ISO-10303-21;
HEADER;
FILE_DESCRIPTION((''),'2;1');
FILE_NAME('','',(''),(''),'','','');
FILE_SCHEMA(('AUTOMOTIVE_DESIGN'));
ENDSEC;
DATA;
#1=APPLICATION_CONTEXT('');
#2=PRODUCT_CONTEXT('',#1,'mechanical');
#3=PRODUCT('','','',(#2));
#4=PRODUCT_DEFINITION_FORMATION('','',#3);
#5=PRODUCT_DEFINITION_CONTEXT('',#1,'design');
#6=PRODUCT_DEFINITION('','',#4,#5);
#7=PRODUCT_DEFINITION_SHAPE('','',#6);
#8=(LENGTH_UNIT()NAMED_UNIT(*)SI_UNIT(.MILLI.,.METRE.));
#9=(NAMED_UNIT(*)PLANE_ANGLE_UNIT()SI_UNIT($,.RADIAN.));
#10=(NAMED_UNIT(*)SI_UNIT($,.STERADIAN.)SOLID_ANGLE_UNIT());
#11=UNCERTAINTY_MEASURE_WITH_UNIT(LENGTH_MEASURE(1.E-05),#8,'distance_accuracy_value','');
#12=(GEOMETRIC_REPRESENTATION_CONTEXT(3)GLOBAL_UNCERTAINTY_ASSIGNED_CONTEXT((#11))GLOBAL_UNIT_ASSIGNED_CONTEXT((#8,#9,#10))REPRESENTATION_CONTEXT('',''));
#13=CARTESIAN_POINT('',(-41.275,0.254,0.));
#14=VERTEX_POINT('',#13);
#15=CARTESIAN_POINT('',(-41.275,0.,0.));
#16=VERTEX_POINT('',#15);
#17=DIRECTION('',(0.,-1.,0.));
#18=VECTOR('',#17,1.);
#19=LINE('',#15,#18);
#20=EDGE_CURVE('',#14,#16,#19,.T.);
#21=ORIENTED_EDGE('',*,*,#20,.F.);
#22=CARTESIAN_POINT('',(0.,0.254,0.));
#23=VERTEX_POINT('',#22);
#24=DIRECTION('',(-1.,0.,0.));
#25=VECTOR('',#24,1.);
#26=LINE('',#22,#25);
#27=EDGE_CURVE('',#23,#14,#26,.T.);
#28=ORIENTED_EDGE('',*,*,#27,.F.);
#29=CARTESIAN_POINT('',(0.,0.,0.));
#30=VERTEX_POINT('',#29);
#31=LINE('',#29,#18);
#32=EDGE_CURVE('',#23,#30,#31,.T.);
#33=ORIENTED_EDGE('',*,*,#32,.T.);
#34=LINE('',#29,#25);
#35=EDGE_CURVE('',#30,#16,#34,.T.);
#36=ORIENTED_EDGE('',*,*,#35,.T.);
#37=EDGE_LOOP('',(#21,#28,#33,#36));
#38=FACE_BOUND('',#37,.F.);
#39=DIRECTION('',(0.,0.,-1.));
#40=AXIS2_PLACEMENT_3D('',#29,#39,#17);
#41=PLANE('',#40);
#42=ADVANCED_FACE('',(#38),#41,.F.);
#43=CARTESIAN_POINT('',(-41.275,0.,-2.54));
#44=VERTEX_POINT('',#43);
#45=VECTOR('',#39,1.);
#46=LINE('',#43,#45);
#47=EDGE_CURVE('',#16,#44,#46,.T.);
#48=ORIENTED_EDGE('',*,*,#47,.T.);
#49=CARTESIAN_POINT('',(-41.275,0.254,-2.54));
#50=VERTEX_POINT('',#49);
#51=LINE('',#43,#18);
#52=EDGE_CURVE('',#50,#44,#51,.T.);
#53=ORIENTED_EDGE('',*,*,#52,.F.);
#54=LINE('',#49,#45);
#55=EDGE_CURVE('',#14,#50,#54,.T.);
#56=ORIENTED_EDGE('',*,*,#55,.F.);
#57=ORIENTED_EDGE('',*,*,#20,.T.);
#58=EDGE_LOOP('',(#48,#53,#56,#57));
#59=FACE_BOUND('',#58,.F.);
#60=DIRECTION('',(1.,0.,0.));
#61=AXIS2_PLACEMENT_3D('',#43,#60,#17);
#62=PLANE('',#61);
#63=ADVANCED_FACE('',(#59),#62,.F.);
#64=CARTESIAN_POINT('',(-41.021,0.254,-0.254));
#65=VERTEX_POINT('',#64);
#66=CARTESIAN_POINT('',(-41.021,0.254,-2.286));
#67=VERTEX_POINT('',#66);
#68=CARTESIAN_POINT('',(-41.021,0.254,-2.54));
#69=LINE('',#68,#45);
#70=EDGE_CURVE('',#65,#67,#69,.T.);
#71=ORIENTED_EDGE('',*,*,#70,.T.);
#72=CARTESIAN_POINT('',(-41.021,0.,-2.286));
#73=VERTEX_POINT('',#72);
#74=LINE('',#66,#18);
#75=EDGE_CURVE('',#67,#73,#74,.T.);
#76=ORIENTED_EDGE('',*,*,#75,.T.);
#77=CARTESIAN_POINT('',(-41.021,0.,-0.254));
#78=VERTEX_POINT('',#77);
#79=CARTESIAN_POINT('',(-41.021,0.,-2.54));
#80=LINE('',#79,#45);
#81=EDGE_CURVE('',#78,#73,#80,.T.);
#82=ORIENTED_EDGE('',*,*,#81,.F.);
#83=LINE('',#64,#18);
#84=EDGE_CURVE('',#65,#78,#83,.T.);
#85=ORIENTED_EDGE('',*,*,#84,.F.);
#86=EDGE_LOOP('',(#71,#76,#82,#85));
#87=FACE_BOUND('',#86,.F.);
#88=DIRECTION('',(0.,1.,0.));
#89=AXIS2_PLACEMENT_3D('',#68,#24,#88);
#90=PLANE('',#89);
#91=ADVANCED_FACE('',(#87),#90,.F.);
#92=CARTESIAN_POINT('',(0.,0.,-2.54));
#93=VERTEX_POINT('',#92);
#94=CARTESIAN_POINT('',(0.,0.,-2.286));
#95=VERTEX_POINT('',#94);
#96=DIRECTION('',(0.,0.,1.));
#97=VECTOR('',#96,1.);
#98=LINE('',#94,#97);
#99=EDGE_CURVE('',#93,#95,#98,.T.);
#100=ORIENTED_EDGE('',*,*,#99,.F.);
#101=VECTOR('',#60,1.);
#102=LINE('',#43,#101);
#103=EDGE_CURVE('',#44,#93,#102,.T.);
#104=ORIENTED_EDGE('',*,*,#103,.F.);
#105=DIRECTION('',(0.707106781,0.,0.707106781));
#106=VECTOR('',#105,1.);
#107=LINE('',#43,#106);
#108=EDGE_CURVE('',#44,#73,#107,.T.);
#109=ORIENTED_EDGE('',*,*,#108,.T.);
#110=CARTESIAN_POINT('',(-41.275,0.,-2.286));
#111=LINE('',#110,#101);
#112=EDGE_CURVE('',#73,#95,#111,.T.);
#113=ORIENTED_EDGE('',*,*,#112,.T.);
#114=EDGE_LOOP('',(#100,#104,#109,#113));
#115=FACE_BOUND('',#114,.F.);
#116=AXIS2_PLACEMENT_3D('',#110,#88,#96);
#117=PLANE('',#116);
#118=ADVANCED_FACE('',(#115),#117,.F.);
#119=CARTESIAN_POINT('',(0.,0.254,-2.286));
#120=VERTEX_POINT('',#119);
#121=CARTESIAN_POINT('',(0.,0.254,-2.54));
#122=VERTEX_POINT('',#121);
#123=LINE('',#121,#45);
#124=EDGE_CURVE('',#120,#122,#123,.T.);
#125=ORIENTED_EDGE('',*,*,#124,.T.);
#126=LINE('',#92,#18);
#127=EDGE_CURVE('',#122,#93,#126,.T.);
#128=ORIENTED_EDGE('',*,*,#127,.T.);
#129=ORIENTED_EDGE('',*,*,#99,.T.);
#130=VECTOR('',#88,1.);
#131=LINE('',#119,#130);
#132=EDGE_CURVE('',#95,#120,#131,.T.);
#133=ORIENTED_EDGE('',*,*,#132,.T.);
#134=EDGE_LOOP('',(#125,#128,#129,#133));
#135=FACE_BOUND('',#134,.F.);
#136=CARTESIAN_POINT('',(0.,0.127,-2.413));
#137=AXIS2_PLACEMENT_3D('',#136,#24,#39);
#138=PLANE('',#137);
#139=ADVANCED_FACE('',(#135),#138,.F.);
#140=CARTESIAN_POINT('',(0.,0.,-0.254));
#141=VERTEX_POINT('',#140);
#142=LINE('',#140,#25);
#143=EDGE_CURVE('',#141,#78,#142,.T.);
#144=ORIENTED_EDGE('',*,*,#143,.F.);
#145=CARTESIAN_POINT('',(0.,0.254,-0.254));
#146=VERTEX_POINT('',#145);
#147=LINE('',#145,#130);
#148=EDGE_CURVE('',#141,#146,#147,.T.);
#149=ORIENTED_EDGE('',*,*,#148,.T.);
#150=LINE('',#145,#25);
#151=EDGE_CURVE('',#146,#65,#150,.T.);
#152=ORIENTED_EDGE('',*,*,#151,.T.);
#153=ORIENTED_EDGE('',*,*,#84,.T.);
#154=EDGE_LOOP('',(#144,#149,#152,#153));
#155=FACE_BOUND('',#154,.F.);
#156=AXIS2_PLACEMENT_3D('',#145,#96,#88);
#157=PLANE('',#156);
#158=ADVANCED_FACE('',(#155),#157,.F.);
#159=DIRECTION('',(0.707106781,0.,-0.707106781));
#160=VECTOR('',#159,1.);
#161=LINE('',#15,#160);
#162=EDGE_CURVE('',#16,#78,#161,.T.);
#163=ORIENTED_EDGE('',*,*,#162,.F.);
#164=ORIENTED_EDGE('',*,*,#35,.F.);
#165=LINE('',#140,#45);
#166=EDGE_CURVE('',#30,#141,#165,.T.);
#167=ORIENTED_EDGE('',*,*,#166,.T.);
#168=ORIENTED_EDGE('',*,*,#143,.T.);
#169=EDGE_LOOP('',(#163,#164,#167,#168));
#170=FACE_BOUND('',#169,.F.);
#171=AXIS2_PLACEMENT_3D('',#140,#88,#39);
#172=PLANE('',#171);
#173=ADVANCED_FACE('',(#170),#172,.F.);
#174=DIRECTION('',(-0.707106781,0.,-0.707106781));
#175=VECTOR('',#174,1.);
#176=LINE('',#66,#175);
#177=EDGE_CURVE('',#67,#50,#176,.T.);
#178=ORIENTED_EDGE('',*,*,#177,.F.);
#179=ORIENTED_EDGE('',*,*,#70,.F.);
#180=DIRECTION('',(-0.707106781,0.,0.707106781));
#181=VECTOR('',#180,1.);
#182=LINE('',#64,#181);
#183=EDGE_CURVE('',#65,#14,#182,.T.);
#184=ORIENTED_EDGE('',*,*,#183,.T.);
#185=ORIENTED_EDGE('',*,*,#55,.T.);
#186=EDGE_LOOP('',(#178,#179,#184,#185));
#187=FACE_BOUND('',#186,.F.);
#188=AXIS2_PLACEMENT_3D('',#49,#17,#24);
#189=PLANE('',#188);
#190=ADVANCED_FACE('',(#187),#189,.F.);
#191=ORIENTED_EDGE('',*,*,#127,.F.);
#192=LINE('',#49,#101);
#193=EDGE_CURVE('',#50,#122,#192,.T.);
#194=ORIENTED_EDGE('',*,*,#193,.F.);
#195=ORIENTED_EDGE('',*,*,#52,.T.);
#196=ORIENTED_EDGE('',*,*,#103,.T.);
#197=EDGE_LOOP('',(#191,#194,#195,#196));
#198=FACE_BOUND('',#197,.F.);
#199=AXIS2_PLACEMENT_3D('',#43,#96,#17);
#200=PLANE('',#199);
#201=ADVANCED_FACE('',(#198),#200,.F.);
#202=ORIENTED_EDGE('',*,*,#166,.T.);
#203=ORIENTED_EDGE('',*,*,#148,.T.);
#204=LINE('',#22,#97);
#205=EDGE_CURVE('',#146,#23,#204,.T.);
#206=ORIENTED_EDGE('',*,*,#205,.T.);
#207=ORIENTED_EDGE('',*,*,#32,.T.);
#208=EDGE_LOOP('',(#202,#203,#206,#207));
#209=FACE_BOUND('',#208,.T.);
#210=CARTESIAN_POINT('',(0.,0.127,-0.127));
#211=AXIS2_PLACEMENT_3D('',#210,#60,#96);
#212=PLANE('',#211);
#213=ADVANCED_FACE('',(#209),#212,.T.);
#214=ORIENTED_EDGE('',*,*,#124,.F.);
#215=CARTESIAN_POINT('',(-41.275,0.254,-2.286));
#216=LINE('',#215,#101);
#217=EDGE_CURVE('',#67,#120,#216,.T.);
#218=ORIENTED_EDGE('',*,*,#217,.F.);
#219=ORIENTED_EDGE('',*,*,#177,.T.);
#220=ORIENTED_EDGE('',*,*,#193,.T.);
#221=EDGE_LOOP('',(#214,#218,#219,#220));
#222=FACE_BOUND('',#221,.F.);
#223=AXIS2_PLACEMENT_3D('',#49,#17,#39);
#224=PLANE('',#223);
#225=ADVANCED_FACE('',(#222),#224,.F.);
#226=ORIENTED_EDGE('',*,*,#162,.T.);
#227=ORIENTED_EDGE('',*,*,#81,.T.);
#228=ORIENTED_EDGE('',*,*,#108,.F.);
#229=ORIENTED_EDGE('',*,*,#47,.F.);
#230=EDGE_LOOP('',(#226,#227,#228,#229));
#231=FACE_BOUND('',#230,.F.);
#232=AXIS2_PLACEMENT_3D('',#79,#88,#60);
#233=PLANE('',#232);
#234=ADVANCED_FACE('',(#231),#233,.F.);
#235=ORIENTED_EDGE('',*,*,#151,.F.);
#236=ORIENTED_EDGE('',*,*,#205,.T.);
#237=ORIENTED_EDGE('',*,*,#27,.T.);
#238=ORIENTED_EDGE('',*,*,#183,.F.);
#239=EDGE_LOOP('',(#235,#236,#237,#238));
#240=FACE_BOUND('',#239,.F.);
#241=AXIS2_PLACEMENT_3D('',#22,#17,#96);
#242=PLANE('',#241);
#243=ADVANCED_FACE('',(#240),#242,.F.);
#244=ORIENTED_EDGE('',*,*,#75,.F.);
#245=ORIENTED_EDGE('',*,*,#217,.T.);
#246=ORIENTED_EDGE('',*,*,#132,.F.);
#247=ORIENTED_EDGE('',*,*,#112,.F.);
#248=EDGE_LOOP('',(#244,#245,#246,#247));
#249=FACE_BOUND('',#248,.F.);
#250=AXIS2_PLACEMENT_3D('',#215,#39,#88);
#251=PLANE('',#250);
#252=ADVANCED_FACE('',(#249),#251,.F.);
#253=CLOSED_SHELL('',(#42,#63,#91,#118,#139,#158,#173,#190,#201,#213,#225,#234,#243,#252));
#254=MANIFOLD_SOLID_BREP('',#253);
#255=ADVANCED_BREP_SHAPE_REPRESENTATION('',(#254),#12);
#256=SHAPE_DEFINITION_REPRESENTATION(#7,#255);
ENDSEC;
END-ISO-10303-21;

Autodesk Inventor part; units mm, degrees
ref_plane "XZ Plane" through (0, 0, 0) normal (0, 1, 0) x (-1, 0, 0)
sketch "Sketch1" plane through (0, 0, 0) normal (0, 1, 0) x (-1, 0, 0)
  line L0 (0, 0) -> (41.275, 0)
  line L1 (41.275, -2.54) -> (0, -2.54)
  line L2 (41.275, -2.54) -> (41.275, 0)
  dimension "d69" = 41.275
  dimension "d70" = 41.275
  dimension "d89" = 2.54
  dimension "d90" = 0
  dimension "d91" = 0
  dimension "d92" = 0
sketch "Sketch2" plane through (0, 0, 0) normal (1, 0, 0) x (0, 1, 0)
  line L0 (0, 0) -> (0.254, 0)
  line L1 (0.254, 0) -> (0.254, -0.254)
  line L2 (0.254, -0.254) -> (0, -0.254)
  line L3 (0, -0.254) -> (0, 0)
  dimension "d98" = 0.254
  dimension "d99" = 0.254
sweep "Sweep1" add profiles "Sketch2" path "Sketch1"
ref_plane "Work Plane1" through (6.35, 0, 0) normal (1, 0, 0) x (0, 1, 0)
ref_plane "Work Plane2" through (0, 0, -6.35) normal (0, 0, 1) x (1, 0, 0)
ref_plane "Work Plane4" through (0, 0, -2.9845) normal (0, 0, 1) x (1, 0, 0)
properties part number "basic strain gauge 0p01 medium" material "Silver"
